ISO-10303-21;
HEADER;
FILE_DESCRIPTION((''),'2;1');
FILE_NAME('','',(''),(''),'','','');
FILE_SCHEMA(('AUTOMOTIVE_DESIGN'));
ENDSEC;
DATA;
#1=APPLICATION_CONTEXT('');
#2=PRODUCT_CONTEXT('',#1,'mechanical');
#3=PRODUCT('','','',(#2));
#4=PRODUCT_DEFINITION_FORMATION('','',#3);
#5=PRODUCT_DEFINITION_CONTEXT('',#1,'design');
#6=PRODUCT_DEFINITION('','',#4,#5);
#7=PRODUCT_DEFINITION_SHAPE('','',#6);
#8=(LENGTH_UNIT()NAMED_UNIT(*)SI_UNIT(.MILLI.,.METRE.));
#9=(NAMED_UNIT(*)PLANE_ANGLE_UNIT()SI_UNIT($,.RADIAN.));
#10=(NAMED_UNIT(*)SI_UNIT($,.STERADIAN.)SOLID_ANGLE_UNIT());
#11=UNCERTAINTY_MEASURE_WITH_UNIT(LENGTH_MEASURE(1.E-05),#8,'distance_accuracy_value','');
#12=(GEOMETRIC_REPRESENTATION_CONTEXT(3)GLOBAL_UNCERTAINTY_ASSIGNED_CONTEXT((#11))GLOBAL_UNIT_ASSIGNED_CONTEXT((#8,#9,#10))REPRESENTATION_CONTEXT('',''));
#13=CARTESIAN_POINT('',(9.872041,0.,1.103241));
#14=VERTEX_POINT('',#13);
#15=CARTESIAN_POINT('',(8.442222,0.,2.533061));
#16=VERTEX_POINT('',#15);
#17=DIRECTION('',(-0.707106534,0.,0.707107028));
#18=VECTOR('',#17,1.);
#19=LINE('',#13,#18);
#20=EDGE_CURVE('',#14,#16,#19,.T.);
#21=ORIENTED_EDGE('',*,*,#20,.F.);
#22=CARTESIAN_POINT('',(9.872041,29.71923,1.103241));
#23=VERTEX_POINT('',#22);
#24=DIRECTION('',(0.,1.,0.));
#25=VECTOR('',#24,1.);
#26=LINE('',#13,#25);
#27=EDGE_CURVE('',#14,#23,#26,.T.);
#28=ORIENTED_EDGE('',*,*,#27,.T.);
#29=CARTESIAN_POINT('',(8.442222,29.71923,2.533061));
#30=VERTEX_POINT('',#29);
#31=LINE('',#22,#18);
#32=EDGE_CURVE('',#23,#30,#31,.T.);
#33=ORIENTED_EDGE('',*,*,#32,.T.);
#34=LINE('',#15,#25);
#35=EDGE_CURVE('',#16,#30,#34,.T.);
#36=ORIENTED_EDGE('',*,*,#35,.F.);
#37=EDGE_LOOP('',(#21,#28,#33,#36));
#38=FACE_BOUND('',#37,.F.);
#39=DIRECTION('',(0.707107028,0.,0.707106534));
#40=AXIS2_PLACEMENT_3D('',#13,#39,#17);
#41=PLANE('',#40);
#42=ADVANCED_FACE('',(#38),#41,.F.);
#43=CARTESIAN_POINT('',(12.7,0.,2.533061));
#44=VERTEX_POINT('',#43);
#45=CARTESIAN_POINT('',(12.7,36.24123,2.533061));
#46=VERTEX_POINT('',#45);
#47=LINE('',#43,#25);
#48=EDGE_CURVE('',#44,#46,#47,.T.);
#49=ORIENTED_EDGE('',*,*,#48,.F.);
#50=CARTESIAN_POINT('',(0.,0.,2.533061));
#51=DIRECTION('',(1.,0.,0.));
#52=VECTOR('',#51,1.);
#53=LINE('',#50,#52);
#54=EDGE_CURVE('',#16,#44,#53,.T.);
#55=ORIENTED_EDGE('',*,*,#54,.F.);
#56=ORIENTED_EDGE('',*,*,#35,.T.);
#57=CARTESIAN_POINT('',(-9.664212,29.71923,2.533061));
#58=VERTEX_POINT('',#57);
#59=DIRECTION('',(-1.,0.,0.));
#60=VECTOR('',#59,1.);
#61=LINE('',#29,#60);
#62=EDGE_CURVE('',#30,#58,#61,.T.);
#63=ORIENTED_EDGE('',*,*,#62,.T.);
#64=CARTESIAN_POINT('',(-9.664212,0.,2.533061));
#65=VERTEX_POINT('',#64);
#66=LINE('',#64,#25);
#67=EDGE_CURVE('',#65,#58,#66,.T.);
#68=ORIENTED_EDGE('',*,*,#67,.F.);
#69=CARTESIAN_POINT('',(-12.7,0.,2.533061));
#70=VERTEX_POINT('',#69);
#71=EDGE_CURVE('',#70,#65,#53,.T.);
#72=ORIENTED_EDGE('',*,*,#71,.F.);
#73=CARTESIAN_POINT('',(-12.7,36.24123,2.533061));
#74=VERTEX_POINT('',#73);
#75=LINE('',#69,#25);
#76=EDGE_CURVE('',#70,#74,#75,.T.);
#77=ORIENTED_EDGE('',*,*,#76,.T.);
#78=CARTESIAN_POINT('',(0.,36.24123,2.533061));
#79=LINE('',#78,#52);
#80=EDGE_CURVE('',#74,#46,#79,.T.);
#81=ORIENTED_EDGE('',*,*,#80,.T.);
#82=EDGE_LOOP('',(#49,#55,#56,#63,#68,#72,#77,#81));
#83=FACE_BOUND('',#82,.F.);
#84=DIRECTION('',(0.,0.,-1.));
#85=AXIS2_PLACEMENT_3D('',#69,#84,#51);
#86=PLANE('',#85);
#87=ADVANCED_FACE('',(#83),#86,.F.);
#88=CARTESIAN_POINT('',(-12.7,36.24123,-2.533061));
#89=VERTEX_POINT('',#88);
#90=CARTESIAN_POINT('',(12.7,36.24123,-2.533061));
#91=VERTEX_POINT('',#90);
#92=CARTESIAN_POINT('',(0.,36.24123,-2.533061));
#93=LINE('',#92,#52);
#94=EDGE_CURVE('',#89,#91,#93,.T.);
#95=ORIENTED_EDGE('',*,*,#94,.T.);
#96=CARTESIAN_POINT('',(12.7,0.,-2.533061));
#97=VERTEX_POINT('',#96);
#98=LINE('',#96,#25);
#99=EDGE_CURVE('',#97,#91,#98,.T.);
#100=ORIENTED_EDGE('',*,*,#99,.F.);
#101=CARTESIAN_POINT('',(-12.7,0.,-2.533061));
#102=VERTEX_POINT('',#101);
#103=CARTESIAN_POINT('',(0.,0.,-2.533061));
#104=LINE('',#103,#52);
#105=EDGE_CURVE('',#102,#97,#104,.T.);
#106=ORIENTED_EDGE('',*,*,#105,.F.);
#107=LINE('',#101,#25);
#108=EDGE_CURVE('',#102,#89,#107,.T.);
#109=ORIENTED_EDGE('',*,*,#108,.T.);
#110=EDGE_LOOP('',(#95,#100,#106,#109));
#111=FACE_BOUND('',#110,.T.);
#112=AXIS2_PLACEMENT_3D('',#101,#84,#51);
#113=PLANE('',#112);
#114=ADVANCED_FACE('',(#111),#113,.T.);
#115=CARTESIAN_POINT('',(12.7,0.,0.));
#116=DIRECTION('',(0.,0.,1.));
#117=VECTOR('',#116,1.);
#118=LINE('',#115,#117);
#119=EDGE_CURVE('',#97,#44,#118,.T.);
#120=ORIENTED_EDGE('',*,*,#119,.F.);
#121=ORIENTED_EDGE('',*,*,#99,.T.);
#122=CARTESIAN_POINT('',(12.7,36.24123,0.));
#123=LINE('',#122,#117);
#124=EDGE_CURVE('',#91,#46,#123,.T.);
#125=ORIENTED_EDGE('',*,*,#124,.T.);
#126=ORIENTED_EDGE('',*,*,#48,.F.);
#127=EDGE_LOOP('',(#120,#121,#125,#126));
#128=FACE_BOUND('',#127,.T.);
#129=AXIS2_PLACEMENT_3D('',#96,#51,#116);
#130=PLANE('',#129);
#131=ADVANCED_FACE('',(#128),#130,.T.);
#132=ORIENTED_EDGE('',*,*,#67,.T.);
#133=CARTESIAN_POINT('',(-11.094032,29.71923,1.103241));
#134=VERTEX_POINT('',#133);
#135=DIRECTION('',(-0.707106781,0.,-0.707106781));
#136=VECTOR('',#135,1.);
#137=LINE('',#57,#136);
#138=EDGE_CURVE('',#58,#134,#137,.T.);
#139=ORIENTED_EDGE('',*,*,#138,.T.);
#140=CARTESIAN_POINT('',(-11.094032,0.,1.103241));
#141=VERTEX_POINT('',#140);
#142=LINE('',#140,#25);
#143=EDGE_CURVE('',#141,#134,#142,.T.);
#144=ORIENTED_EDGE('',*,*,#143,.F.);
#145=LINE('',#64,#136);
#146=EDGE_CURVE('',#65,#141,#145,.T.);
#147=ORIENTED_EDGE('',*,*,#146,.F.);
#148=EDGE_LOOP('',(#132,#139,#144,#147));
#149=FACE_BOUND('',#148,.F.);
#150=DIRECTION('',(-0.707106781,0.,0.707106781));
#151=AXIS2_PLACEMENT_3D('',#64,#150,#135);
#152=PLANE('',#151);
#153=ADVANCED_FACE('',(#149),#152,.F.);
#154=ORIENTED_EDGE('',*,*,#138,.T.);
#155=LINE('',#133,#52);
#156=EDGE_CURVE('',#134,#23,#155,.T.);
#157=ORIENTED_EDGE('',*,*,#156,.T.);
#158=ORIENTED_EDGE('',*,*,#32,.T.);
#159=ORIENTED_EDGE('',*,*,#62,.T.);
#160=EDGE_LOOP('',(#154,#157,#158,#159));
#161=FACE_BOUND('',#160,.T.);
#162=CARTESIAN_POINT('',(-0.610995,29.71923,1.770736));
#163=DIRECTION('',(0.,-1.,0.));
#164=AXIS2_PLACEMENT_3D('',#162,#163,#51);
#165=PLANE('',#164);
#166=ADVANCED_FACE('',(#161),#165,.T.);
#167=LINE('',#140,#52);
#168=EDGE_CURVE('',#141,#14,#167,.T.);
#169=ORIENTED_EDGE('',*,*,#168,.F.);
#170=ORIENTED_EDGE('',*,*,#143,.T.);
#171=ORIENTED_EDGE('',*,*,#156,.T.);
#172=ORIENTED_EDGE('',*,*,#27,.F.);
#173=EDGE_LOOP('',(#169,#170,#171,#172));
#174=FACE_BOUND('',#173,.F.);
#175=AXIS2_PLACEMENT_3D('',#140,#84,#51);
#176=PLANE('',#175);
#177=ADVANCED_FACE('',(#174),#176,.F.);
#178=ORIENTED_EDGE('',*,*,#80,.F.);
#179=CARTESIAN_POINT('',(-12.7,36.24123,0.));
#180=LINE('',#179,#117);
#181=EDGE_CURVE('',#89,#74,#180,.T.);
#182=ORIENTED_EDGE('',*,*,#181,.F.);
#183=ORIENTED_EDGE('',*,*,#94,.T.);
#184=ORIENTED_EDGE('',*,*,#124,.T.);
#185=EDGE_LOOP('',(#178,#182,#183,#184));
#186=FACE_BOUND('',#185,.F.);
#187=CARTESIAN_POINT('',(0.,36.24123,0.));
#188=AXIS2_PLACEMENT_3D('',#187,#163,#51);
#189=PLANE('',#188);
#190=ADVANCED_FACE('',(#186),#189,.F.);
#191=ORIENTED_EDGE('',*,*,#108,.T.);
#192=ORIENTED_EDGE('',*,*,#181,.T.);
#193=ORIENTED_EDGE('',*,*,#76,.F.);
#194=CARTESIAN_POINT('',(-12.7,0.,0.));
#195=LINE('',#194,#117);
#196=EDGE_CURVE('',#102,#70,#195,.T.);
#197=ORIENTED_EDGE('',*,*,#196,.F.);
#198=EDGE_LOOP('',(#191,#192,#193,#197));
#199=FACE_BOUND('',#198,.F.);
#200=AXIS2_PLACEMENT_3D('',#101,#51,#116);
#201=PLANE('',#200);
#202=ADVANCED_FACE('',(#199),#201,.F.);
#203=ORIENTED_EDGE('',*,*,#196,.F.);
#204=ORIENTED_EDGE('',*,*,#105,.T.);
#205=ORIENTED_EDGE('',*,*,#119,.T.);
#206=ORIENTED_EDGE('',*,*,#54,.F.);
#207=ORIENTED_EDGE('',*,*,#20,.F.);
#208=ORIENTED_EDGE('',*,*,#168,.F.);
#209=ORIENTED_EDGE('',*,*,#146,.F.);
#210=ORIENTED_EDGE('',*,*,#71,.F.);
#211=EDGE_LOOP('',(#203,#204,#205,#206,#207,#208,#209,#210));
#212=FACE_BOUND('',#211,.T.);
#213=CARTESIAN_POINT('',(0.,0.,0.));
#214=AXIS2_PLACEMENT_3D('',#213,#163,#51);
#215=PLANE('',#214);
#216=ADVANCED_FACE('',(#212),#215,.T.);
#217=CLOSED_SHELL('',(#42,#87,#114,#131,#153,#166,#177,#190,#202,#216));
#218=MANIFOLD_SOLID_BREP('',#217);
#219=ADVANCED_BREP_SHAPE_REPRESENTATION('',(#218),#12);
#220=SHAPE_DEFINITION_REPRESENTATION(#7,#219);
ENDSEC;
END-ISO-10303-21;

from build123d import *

# Parameters (mm, degrees)
F0_W     = 25.4
F0_H     = 5.066122
F2_DEPTH = 36.24123
F3_DEPTH = 29.71923


with BuildPart() as f2:
    # F0 (on Front) → F2 (new body)
    with BuildSketch(Plane.XZ):
        Rectangle(F0_W, F0_H)
    extrude(amount=-F2_DEPTH)

    # F1 (on face) → F3 (cut)
    with BuildSketch(Plane.XZ):
        Polygon((8.442222, 2.533061), (-9.664212, 2.533061), (-11.094032, 1.103241), (9.872041, 1.103241), align=None)
    extrude(amount=-F3_DEPTH, mode=Mode.SUBTRACT)


solid = f2.part
